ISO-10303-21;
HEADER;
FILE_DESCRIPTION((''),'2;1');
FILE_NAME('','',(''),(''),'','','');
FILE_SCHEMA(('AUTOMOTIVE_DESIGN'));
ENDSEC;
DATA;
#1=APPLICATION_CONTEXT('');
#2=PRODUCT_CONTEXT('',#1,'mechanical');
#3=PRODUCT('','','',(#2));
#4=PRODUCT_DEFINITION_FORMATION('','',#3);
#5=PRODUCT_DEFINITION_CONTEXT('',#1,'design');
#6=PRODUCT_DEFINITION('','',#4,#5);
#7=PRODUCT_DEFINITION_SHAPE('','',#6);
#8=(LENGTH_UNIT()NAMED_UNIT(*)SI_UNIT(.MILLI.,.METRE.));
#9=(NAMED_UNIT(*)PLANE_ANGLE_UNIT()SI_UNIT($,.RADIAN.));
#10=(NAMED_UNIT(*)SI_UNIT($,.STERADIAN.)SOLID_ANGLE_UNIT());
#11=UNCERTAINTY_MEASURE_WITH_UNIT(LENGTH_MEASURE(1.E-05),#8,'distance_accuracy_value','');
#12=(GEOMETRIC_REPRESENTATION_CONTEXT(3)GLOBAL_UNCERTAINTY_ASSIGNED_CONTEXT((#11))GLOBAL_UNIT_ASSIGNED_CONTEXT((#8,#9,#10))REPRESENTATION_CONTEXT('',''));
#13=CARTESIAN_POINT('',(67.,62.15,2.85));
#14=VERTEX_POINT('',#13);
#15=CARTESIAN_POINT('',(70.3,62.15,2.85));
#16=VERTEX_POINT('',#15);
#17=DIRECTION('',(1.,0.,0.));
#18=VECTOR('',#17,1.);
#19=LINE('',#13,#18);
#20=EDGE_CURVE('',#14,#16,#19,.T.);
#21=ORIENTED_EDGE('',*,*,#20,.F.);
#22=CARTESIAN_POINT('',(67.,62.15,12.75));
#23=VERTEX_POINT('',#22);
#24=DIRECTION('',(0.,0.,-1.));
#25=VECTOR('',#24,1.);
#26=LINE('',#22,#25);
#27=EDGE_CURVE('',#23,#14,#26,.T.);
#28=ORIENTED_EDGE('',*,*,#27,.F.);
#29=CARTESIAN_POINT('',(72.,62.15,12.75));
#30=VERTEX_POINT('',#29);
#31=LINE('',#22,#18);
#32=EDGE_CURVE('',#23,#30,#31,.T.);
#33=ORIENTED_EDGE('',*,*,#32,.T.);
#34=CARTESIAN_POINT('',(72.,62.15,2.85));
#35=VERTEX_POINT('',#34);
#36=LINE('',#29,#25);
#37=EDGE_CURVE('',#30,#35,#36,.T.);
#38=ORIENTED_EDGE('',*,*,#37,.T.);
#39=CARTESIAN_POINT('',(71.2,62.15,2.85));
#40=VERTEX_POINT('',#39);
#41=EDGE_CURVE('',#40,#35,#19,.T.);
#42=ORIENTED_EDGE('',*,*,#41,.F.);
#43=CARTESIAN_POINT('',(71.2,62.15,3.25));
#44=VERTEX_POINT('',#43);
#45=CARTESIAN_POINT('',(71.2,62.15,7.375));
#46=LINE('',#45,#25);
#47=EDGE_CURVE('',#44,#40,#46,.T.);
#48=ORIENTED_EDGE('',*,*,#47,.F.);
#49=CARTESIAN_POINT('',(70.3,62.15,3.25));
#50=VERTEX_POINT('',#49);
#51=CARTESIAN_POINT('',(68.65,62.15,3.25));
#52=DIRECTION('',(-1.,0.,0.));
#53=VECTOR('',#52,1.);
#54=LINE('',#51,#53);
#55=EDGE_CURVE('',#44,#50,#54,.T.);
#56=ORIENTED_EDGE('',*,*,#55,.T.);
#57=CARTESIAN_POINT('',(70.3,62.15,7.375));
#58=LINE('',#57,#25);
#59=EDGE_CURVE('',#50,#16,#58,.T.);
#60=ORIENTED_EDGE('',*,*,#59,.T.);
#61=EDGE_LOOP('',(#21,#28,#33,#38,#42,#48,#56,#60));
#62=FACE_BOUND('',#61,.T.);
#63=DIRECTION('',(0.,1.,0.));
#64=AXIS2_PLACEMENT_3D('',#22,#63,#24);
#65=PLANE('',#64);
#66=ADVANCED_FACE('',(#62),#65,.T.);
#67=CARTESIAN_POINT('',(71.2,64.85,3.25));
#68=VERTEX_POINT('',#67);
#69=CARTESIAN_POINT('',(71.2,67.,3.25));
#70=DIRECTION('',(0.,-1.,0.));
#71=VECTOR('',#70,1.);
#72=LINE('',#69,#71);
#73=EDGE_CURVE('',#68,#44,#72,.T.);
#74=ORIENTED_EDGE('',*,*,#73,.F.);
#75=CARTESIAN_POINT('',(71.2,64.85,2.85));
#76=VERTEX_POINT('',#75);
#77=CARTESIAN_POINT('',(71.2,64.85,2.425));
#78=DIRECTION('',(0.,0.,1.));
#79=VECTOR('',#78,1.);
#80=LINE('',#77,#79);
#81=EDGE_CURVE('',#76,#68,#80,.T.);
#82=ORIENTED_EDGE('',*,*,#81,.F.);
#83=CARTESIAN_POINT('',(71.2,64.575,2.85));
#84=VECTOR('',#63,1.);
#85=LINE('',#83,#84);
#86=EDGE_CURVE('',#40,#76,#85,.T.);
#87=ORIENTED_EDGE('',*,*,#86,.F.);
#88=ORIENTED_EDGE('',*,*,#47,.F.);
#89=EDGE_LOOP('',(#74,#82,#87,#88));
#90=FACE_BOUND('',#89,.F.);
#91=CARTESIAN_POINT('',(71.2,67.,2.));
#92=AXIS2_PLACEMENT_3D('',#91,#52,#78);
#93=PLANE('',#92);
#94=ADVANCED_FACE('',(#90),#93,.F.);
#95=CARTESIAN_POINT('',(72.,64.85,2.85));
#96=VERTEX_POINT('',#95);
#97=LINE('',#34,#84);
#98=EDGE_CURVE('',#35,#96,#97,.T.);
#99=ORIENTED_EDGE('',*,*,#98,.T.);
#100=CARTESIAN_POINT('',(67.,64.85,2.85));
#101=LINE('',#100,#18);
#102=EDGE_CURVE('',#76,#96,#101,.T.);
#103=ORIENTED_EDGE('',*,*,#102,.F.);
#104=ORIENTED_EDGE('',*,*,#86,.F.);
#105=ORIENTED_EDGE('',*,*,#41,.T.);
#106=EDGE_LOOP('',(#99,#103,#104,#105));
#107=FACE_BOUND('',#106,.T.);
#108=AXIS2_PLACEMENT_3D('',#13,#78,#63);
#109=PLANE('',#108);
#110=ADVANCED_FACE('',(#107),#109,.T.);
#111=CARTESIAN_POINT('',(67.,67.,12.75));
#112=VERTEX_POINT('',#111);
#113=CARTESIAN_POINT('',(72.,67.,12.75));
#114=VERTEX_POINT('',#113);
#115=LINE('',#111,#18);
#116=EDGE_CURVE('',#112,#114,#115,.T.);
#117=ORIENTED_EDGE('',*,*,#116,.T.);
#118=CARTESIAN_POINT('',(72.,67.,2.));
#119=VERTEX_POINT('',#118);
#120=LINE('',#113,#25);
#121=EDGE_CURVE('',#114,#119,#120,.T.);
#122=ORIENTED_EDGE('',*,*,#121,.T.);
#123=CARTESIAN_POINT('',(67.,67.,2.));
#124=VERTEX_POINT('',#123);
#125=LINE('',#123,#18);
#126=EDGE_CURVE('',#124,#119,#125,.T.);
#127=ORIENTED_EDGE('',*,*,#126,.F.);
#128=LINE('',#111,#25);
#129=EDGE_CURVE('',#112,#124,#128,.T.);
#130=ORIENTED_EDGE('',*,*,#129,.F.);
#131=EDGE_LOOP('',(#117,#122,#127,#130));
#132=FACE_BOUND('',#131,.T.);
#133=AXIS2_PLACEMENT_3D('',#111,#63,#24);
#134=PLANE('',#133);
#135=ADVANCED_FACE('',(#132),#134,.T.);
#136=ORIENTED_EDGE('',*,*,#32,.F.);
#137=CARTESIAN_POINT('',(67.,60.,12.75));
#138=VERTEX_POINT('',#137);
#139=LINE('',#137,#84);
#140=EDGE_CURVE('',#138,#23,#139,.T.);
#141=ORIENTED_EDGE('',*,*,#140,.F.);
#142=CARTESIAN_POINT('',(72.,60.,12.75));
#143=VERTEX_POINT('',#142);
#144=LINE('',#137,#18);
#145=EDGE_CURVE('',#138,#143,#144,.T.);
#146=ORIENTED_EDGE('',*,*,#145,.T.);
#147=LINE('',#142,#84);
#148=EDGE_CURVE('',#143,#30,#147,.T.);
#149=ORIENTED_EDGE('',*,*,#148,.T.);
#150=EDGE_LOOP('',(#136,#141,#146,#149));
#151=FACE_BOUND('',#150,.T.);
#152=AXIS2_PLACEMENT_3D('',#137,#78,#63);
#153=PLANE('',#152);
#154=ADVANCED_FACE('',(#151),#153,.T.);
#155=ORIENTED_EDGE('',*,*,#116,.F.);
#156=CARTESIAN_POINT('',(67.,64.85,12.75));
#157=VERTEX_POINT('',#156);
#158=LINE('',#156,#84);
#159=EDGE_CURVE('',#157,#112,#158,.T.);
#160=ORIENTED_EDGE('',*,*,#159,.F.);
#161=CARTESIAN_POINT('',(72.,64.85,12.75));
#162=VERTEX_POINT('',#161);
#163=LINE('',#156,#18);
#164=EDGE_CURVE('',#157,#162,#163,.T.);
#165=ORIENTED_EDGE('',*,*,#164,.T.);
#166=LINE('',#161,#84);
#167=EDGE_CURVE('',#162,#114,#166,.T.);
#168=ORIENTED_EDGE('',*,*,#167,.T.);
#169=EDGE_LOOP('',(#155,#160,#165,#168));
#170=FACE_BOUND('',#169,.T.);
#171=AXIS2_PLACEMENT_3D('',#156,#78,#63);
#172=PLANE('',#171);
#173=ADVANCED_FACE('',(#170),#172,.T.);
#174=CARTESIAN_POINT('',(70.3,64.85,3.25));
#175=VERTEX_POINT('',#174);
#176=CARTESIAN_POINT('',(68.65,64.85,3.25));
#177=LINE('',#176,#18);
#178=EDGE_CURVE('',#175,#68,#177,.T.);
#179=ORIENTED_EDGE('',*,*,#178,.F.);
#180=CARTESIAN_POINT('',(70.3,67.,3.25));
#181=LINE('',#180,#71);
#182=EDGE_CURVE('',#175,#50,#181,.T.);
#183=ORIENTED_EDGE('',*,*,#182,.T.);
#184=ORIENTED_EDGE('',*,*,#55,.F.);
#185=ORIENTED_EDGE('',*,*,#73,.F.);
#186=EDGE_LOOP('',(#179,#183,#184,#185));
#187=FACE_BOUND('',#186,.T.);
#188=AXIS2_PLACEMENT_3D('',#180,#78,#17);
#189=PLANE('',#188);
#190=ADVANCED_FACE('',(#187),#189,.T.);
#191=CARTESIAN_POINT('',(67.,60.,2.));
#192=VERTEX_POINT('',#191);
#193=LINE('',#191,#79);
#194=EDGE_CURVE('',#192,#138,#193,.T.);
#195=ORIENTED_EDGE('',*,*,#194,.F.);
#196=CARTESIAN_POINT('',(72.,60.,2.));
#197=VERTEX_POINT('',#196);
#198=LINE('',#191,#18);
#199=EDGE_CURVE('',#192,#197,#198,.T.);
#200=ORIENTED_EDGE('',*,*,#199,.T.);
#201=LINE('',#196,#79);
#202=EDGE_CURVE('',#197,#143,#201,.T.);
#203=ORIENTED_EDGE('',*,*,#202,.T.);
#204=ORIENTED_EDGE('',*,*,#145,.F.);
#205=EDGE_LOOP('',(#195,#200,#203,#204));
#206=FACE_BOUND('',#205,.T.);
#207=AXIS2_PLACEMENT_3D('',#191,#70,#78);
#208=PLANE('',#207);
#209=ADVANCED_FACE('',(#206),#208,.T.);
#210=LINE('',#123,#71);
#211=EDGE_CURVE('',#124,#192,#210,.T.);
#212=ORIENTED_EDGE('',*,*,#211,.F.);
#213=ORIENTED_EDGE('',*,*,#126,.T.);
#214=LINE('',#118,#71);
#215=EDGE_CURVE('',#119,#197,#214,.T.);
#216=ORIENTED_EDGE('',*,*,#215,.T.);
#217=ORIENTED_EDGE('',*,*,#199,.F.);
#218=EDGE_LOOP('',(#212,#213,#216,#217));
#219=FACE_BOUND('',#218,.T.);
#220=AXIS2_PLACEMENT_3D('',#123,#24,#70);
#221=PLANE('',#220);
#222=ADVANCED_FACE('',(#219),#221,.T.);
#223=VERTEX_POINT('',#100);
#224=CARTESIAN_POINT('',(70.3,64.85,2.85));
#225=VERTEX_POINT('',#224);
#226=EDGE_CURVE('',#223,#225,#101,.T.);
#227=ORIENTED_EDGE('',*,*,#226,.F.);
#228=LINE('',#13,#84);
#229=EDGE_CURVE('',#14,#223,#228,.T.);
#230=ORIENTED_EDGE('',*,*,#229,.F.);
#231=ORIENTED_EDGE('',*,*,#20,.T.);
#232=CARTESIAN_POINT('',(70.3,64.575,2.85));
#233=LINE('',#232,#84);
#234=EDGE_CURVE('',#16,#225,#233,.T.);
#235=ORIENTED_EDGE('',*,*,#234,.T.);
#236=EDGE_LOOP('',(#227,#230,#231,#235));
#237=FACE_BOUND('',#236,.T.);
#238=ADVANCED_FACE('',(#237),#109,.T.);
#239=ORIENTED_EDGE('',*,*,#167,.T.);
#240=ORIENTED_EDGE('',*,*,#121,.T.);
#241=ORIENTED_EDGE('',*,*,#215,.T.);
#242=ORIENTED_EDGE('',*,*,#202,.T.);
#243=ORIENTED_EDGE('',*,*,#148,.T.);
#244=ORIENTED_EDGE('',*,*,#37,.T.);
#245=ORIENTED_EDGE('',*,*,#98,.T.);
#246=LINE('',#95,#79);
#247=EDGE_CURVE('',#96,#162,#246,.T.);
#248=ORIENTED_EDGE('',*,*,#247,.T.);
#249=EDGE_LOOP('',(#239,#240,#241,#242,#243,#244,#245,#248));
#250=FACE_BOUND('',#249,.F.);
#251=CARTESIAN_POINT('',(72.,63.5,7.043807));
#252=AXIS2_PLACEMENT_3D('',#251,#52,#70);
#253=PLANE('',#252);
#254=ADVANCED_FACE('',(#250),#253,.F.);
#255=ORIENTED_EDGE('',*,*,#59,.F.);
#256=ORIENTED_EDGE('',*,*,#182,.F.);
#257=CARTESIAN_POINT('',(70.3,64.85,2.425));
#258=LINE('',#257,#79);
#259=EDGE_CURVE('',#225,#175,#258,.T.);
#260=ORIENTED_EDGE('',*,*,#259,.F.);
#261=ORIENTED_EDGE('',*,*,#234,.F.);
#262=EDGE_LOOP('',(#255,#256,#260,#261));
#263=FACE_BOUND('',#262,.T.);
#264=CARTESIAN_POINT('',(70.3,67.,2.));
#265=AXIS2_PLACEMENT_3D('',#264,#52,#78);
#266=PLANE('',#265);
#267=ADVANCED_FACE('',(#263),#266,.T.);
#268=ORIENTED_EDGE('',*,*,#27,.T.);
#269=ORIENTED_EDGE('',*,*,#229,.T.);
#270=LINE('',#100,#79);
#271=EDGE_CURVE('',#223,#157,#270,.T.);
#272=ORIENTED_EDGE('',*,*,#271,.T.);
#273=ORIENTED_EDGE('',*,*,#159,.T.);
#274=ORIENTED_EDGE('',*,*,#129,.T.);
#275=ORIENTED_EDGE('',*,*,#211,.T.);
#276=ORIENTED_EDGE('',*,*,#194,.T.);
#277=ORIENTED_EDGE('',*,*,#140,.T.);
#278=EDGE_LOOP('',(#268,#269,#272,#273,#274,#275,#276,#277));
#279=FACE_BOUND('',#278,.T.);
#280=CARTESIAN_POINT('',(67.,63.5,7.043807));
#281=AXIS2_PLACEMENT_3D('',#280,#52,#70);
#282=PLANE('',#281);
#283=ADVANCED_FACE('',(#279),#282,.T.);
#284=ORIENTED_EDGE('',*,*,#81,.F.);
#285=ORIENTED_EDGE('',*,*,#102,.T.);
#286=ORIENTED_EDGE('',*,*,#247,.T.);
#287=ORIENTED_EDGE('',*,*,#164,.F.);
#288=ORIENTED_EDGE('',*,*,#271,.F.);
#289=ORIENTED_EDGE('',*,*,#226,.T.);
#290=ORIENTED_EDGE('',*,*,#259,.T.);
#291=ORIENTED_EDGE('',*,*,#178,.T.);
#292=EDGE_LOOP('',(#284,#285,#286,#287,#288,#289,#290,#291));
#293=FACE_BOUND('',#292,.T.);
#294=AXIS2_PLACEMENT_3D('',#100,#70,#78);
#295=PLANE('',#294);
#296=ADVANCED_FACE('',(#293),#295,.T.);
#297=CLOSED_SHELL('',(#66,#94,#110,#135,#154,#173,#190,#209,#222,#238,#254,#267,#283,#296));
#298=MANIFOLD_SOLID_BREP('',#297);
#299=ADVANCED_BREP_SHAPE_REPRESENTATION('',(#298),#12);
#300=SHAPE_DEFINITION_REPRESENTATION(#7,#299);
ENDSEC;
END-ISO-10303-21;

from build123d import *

# Parameters (mm, degrees)
EXTRUDE032_DEPTH = 5
SKETCH036_W      = 0.9
SKETCH036_H      = 1.25
EXTRUDE033_DEPTH = 7


with BuildPart() as extrude032:
    # Sketch035 → Extrude032 (new body)
    with BuildSketch(Plane.YZ.offset(67)):
        Polygon((60, 12.75), (62.15, 12.75), (62.15, 2.85), (64.85, 2.85), (64.85, 12.75), (67, 12.75), (67, 2), (60, 2), align=None)
    extrude(amount=EXTRUDE032_DEPTH)


with BuildPart() as switchholdbottomin:
    # Sketch036 → Extrude033 (new body)
    with BuildSketch(Plane.XZ):
        with Locations((70.75, 2.625)):
            Rectangle(SKETCH036_W, SKETCH036_H)
    extrude(amount=EXTRUDE033_DEPTH)


with BuildPart() as switchholdbottomin_1:
    # Extrude033 placement: moved
    add(switchholdbottomin.part.moved(Location((0, 67, 0))))

    # Fusion: union Extrude032
    add(extrude032.part)


solid = switchholdbottomin_1.part
